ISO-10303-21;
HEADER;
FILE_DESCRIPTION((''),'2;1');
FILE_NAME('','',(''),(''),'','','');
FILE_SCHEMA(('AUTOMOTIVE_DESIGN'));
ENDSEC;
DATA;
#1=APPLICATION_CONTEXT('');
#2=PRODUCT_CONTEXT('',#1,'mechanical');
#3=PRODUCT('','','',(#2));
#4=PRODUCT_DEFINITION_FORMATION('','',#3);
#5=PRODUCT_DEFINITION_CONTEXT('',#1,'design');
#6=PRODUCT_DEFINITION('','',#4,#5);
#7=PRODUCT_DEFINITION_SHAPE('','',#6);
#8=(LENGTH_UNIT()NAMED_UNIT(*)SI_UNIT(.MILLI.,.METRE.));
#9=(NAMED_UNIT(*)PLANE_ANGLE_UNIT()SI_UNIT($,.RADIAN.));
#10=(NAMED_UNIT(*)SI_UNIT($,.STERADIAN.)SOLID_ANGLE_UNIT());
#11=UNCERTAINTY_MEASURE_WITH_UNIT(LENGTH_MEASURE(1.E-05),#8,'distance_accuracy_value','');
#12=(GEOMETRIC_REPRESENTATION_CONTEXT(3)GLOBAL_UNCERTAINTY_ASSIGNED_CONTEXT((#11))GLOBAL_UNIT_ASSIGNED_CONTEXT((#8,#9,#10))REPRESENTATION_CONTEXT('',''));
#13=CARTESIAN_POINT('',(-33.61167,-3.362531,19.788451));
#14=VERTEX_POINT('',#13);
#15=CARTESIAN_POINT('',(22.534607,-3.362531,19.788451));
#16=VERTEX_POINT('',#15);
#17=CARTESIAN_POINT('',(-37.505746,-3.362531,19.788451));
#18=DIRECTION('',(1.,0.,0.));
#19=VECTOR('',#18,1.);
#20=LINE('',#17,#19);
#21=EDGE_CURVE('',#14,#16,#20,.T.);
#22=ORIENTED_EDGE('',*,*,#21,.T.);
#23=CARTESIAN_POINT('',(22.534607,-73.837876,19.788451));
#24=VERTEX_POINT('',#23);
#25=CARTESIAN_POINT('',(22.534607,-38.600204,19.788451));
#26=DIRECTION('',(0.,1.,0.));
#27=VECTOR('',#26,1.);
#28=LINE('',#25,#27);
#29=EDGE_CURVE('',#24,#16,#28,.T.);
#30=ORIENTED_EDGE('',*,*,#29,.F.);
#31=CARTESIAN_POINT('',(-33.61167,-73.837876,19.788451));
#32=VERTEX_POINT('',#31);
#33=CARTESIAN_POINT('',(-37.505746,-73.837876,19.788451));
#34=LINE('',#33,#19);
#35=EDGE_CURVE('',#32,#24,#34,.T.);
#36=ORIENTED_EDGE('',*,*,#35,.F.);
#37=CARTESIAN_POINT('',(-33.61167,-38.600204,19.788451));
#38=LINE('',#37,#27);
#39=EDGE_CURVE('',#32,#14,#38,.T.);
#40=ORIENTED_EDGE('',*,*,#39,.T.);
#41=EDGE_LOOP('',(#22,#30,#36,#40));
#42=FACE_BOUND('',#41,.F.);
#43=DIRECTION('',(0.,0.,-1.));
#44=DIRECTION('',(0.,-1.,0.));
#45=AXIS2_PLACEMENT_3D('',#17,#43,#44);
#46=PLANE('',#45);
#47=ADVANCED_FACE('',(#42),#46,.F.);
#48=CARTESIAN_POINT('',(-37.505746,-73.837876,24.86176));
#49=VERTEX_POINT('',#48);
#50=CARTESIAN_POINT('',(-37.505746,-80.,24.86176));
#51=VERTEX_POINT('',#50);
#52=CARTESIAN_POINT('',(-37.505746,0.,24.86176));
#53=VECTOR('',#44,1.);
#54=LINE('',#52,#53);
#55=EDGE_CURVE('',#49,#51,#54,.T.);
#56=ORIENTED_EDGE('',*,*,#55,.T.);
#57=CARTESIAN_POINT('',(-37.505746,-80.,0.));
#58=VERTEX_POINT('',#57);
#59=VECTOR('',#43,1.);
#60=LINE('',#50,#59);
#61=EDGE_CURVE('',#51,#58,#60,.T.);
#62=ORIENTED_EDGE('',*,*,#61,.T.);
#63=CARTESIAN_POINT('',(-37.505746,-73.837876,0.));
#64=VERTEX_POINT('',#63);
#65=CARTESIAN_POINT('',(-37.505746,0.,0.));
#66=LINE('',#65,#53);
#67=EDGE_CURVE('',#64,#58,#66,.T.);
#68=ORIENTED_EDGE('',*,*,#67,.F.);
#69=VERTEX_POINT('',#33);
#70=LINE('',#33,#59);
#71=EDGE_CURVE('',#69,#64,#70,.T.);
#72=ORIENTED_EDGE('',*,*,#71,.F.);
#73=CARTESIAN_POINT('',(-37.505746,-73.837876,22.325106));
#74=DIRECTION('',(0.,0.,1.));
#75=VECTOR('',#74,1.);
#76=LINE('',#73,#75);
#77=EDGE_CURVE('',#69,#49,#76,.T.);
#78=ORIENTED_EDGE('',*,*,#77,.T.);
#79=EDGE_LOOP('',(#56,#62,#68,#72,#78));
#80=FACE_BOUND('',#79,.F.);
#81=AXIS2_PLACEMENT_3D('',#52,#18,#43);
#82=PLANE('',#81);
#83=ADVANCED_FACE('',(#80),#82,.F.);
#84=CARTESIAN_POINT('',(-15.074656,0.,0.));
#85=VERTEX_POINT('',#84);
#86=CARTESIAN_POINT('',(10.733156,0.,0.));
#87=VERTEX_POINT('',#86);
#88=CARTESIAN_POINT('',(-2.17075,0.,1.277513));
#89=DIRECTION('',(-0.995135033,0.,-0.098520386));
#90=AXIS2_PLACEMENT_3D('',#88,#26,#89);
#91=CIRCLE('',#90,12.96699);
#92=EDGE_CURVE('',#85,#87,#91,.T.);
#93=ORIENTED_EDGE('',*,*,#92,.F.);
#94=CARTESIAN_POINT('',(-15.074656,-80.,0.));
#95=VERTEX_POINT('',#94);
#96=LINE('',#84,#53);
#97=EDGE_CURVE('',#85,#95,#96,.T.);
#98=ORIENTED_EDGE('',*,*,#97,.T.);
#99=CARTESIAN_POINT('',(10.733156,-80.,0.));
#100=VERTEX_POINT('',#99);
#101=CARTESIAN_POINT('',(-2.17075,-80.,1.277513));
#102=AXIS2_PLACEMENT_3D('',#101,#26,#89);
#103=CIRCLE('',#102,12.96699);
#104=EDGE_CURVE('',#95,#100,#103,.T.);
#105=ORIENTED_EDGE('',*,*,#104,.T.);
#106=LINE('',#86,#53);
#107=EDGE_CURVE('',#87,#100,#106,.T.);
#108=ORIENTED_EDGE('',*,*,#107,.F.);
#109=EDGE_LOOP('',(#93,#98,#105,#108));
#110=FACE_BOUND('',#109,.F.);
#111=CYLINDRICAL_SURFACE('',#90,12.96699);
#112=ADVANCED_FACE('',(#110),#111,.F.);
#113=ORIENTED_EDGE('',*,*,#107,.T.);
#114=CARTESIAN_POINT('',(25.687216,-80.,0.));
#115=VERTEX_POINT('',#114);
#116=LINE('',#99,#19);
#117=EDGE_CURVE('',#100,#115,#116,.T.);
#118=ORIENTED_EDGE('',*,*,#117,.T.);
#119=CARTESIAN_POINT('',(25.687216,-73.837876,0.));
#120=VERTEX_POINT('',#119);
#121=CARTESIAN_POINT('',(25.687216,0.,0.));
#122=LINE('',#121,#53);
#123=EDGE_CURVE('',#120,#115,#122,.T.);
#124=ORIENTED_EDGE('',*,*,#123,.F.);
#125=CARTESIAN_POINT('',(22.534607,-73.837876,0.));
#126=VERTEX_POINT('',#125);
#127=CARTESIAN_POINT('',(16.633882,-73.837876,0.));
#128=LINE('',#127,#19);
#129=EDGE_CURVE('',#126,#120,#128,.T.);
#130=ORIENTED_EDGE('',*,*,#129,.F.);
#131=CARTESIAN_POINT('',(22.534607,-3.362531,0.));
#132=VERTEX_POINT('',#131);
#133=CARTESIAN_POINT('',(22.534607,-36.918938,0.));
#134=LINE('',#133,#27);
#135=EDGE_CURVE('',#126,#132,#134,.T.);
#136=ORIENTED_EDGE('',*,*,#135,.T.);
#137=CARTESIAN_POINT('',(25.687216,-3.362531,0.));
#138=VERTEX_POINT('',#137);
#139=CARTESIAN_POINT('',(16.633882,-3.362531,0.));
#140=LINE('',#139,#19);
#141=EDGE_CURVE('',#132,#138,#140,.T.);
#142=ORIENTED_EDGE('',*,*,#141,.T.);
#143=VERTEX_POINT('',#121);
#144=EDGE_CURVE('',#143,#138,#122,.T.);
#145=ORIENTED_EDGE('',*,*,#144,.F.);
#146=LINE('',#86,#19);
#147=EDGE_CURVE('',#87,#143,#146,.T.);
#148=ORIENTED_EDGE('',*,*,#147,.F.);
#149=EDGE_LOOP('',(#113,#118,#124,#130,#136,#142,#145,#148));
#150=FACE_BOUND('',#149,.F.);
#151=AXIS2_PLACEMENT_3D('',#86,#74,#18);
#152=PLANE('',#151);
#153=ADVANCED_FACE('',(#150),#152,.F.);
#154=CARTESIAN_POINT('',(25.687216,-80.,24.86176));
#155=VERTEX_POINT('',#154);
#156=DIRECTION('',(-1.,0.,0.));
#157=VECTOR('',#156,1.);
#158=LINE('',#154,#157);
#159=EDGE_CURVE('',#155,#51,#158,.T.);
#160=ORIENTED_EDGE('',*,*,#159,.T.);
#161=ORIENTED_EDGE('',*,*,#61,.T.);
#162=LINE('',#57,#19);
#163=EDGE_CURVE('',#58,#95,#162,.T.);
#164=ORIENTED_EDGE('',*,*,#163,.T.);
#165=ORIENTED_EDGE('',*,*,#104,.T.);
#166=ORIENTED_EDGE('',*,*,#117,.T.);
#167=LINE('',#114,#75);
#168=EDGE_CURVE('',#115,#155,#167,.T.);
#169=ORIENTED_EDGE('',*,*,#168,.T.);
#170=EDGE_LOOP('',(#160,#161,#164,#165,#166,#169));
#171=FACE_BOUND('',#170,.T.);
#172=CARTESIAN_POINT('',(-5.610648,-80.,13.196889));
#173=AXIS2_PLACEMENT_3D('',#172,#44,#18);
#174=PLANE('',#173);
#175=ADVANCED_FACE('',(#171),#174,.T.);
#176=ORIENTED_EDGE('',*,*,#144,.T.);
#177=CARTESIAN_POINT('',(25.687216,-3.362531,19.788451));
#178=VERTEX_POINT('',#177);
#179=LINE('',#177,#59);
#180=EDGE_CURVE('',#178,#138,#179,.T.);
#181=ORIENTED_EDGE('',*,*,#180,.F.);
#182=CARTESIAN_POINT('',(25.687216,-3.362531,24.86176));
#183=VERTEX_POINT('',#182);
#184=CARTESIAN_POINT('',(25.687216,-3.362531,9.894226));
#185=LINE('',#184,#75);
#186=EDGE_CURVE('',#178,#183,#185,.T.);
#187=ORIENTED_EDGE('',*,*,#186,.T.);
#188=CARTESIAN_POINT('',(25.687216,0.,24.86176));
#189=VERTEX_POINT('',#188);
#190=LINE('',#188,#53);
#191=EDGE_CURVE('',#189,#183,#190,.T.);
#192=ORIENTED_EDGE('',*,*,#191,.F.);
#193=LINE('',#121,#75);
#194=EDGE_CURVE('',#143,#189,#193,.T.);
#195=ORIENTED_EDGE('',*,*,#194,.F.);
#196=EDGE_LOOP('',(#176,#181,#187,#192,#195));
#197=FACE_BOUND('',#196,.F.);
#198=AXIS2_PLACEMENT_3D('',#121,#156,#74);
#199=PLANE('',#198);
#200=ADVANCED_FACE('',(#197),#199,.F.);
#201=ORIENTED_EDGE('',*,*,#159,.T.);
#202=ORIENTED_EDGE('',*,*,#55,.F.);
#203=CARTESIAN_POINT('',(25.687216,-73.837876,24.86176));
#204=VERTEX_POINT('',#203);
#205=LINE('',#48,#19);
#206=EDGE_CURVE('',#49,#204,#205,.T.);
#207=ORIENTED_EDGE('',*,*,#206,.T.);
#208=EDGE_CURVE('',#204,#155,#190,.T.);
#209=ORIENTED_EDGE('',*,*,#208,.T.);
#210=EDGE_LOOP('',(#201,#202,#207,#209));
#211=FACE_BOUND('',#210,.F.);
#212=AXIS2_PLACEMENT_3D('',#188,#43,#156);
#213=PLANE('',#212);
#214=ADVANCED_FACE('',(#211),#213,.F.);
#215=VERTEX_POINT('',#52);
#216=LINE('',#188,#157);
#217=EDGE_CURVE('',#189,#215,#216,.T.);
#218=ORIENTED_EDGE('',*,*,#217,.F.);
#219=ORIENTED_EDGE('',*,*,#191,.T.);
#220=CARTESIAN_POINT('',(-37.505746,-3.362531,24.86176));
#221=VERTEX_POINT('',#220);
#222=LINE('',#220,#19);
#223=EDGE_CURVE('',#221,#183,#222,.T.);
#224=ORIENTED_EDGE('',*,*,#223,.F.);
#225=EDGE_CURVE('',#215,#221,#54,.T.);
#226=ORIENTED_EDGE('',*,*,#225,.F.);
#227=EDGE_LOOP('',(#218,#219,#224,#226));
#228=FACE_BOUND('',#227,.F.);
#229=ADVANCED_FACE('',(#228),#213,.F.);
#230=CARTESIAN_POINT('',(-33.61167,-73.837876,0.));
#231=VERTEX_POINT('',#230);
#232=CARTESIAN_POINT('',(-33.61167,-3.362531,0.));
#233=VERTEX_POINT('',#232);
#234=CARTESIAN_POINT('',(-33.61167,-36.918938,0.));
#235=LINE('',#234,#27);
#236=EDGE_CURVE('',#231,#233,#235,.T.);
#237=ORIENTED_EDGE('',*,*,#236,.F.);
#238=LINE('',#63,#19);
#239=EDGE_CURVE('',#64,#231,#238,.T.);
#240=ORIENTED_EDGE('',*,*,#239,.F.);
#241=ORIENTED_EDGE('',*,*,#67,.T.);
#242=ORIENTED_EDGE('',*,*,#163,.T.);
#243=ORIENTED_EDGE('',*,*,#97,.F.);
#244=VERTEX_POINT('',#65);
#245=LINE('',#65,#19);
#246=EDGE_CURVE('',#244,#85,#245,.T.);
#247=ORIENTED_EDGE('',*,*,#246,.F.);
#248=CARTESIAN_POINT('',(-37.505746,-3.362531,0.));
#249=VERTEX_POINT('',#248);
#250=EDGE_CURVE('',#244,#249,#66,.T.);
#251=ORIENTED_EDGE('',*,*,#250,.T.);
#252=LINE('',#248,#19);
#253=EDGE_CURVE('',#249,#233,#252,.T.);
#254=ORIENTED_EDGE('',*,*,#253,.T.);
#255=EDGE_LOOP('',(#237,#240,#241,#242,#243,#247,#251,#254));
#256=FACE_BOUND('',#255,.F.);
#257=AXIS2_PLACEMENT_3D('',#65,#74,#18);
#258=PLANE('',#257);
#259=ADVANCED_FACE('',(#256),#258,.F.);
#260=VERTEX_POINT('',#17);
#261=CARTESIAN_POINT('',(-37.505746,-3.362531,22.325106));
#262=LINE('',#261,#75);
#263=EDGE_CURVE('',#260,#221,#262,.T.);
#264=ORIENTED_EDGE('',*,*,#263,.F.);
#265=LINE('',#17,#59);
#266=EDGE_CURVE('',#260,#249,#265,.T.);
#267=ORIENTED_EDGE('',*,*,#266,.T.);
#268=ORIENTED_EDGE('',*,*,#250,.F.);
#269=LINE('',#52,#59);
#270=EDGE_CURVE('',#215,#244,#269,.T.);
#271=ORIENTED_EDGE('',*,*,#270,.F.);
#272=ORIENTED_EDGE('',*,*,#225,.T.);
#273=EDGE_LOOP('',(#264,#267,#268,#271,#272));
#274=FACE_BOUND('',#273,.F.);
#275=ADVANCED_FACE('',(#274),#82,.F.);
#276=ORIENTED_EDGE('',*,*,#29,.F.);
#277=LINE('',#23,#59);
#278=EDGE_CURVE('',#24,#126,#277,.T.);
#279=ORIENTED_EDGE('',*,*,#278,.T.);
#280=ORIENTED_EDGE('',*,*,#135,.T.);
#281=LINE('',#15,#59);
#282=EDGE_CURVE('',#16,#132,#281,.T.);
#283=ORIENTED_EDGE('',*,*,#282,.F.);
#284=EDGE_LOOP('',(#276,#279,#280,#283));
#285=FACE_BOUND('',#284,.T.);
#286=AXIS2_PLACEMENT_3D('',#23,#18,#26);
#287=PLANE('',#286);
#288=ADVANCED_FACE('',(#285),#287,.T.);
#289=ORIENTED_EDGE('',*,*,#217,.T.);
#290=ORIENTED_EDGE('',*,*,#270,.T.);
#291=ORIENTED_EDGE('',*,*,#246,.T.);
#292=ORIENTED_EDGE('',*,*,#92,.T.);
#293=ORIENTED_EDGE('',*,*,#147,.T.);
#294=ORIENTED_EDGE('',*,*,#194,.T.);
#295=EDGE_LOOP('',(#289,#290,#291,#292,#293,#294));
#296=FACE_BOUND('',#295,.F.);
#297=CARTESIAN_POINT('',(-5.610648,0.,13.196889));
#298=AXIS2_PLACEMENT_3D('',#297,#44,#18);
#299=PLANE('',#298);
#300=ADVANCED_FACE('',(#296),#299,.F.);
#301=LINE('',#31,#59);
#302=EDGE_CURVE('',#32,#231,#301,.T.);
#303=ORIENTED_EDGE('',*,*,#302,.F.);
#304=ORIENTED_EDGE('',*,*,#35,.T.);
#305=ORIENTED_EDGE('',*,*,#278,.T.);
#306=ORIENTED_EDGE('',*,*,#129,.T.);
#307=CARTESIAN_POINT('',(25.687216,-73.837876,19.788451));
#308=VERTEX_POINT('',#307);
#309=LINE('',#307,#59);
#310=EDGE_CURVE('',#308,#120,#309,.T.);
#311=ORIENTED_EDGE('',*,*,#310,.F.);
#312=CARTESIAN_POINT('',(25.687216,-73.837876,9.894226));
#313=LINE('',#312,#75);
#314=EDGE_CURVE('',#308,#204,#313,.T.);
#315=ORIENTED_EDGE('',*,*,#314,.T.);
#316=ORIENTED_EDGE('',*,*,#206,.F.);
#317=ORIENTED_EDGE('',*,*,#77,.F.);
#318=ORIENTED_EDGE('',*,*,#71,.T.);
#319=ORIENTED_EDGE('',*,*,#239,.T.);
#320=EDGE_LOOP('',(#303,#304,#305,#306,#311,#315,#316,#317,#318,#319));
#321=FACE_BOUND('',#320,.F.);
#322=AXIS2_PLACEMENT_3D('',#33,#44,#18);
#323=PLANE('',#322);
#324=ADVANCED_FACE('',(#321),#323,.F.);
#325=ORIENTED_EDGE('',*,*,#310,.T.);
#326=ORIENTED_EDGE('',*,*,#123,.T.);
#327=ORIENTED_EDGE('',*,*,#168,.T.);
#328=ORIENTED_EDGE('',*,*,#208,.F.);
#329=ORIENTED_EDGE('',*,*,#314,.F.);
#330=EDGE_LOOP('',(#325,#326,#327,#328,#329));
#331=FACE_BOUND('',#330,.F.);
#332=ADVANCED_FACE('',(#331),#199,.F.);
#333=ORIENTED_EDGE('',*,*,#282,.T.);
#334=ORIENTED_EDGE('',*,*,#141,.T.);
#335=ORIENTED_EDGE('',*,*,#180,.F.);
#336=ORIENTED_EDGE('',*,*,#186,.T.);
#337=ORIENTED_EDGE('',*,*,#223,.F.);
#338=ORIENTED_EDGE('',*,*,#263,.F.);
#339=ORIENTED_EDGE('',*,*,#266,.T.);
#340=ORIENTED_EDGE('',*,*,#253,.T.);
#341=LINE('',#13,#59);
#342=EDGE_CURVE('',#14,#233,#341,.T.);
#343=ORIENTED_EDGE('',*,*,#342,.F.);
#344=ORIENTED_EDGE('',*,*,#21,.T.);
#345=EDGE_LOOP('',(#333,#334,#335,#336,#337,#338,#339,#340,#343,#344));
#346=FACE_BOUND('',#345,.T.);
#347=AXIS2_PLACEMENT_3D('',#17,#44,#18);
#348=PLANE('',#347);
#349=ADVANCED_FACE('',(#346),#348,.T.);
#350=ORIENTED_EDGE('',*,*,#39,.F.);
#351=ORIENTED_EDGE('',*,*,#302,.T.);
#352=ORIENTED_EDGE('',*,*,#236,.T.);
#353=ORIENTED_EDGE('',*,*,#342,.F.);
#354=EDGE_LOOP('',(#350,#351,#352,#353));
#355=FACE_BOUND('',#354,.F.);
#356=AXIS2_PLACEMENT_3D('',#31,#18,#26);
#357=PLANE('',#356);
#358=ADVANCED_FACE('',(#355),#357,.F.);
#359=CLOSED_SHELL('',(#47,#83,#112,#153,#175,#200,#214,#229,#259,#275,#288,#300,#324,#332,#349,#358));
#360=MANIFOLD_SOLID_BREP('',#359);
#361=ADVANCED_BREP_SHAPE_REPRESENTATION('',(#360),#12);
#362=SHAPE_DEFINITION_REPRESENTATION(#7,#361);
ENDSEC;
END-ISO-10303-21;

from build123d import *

# Parameters (mm, degrees)
F1_DEPTH = 80
F2_W     = 70.4753454775
F2_H     = 5.0733083159
F3_DEPTH = 64
F4_W     = 3.8940757513
F4_H     = 70.4753454775
F5_DEPTH = 25
F4_W_2   = 3.1526088715
F6_DEPTH = 25


with BuildPart() as f1:
    # F0 (on Front) → F1 (new body)
    with BuildSketch(Plane.XZ):
        with BuildLine():
            Line((-37.5057458878, 24.8617598087), (-37.5057458878, 0))
            Line((-37.5057458878, 0), (-15.074656345, 0))
            ThreePointArc((-15.074656345, 0), (-2.17074994, 14.2445032908), (10.733156465, 0))
            Line((10.733156465, 0), (25.6872158498, 0))
            Line((25.6872158498, 0), (25.6872158498, 24.8617598087))
            Line((25.6872158498, 24.8617598087), (-37.5057458878, 24.8617598087))
        make_face()
    extrude(amount=F1_DEPTH)

    # F2 (on face) → F3 (cut)
    with BuildSketch(Plane(origin=(-37.5057458878, 0, 0), x_dir=(0, -1, 0), z_dir=(-1, 0, 0))):
        with Locations((38.6002035812, 22.3251056507)):
            Rectangle(F2_W, F2_H)
    extrude(amount=-F3_DEPTH, mode=Mode.SUBTRACT)

    # F4 (on face) → F5 (cut)
    with BuildSketch(Plane.XY.offset(19.7884514928)):
        with Locations((-35.5587080121, -38.6002035812)):
            Rectangle(F4_W, F4_H)
    extrude(amount=-F5_DEPTH, mode=Mode.SUBTRACT)

    # F4 (on face) → F6 (cut)
    with BuildSketch(Plane.XY.offset(19.7884514928)):
        with Locations((24.110911414, -38.6002035812)):
            Rectangle(F4_W_2, F4_H)
        with Locations((-35.5587080121, -38.6002035812)):
            Rectangle(F4_W, F4_H)
    extrude(amount=-F6_DEPTH, mode=Mode.SUBTRACT)


solid = f1.part
